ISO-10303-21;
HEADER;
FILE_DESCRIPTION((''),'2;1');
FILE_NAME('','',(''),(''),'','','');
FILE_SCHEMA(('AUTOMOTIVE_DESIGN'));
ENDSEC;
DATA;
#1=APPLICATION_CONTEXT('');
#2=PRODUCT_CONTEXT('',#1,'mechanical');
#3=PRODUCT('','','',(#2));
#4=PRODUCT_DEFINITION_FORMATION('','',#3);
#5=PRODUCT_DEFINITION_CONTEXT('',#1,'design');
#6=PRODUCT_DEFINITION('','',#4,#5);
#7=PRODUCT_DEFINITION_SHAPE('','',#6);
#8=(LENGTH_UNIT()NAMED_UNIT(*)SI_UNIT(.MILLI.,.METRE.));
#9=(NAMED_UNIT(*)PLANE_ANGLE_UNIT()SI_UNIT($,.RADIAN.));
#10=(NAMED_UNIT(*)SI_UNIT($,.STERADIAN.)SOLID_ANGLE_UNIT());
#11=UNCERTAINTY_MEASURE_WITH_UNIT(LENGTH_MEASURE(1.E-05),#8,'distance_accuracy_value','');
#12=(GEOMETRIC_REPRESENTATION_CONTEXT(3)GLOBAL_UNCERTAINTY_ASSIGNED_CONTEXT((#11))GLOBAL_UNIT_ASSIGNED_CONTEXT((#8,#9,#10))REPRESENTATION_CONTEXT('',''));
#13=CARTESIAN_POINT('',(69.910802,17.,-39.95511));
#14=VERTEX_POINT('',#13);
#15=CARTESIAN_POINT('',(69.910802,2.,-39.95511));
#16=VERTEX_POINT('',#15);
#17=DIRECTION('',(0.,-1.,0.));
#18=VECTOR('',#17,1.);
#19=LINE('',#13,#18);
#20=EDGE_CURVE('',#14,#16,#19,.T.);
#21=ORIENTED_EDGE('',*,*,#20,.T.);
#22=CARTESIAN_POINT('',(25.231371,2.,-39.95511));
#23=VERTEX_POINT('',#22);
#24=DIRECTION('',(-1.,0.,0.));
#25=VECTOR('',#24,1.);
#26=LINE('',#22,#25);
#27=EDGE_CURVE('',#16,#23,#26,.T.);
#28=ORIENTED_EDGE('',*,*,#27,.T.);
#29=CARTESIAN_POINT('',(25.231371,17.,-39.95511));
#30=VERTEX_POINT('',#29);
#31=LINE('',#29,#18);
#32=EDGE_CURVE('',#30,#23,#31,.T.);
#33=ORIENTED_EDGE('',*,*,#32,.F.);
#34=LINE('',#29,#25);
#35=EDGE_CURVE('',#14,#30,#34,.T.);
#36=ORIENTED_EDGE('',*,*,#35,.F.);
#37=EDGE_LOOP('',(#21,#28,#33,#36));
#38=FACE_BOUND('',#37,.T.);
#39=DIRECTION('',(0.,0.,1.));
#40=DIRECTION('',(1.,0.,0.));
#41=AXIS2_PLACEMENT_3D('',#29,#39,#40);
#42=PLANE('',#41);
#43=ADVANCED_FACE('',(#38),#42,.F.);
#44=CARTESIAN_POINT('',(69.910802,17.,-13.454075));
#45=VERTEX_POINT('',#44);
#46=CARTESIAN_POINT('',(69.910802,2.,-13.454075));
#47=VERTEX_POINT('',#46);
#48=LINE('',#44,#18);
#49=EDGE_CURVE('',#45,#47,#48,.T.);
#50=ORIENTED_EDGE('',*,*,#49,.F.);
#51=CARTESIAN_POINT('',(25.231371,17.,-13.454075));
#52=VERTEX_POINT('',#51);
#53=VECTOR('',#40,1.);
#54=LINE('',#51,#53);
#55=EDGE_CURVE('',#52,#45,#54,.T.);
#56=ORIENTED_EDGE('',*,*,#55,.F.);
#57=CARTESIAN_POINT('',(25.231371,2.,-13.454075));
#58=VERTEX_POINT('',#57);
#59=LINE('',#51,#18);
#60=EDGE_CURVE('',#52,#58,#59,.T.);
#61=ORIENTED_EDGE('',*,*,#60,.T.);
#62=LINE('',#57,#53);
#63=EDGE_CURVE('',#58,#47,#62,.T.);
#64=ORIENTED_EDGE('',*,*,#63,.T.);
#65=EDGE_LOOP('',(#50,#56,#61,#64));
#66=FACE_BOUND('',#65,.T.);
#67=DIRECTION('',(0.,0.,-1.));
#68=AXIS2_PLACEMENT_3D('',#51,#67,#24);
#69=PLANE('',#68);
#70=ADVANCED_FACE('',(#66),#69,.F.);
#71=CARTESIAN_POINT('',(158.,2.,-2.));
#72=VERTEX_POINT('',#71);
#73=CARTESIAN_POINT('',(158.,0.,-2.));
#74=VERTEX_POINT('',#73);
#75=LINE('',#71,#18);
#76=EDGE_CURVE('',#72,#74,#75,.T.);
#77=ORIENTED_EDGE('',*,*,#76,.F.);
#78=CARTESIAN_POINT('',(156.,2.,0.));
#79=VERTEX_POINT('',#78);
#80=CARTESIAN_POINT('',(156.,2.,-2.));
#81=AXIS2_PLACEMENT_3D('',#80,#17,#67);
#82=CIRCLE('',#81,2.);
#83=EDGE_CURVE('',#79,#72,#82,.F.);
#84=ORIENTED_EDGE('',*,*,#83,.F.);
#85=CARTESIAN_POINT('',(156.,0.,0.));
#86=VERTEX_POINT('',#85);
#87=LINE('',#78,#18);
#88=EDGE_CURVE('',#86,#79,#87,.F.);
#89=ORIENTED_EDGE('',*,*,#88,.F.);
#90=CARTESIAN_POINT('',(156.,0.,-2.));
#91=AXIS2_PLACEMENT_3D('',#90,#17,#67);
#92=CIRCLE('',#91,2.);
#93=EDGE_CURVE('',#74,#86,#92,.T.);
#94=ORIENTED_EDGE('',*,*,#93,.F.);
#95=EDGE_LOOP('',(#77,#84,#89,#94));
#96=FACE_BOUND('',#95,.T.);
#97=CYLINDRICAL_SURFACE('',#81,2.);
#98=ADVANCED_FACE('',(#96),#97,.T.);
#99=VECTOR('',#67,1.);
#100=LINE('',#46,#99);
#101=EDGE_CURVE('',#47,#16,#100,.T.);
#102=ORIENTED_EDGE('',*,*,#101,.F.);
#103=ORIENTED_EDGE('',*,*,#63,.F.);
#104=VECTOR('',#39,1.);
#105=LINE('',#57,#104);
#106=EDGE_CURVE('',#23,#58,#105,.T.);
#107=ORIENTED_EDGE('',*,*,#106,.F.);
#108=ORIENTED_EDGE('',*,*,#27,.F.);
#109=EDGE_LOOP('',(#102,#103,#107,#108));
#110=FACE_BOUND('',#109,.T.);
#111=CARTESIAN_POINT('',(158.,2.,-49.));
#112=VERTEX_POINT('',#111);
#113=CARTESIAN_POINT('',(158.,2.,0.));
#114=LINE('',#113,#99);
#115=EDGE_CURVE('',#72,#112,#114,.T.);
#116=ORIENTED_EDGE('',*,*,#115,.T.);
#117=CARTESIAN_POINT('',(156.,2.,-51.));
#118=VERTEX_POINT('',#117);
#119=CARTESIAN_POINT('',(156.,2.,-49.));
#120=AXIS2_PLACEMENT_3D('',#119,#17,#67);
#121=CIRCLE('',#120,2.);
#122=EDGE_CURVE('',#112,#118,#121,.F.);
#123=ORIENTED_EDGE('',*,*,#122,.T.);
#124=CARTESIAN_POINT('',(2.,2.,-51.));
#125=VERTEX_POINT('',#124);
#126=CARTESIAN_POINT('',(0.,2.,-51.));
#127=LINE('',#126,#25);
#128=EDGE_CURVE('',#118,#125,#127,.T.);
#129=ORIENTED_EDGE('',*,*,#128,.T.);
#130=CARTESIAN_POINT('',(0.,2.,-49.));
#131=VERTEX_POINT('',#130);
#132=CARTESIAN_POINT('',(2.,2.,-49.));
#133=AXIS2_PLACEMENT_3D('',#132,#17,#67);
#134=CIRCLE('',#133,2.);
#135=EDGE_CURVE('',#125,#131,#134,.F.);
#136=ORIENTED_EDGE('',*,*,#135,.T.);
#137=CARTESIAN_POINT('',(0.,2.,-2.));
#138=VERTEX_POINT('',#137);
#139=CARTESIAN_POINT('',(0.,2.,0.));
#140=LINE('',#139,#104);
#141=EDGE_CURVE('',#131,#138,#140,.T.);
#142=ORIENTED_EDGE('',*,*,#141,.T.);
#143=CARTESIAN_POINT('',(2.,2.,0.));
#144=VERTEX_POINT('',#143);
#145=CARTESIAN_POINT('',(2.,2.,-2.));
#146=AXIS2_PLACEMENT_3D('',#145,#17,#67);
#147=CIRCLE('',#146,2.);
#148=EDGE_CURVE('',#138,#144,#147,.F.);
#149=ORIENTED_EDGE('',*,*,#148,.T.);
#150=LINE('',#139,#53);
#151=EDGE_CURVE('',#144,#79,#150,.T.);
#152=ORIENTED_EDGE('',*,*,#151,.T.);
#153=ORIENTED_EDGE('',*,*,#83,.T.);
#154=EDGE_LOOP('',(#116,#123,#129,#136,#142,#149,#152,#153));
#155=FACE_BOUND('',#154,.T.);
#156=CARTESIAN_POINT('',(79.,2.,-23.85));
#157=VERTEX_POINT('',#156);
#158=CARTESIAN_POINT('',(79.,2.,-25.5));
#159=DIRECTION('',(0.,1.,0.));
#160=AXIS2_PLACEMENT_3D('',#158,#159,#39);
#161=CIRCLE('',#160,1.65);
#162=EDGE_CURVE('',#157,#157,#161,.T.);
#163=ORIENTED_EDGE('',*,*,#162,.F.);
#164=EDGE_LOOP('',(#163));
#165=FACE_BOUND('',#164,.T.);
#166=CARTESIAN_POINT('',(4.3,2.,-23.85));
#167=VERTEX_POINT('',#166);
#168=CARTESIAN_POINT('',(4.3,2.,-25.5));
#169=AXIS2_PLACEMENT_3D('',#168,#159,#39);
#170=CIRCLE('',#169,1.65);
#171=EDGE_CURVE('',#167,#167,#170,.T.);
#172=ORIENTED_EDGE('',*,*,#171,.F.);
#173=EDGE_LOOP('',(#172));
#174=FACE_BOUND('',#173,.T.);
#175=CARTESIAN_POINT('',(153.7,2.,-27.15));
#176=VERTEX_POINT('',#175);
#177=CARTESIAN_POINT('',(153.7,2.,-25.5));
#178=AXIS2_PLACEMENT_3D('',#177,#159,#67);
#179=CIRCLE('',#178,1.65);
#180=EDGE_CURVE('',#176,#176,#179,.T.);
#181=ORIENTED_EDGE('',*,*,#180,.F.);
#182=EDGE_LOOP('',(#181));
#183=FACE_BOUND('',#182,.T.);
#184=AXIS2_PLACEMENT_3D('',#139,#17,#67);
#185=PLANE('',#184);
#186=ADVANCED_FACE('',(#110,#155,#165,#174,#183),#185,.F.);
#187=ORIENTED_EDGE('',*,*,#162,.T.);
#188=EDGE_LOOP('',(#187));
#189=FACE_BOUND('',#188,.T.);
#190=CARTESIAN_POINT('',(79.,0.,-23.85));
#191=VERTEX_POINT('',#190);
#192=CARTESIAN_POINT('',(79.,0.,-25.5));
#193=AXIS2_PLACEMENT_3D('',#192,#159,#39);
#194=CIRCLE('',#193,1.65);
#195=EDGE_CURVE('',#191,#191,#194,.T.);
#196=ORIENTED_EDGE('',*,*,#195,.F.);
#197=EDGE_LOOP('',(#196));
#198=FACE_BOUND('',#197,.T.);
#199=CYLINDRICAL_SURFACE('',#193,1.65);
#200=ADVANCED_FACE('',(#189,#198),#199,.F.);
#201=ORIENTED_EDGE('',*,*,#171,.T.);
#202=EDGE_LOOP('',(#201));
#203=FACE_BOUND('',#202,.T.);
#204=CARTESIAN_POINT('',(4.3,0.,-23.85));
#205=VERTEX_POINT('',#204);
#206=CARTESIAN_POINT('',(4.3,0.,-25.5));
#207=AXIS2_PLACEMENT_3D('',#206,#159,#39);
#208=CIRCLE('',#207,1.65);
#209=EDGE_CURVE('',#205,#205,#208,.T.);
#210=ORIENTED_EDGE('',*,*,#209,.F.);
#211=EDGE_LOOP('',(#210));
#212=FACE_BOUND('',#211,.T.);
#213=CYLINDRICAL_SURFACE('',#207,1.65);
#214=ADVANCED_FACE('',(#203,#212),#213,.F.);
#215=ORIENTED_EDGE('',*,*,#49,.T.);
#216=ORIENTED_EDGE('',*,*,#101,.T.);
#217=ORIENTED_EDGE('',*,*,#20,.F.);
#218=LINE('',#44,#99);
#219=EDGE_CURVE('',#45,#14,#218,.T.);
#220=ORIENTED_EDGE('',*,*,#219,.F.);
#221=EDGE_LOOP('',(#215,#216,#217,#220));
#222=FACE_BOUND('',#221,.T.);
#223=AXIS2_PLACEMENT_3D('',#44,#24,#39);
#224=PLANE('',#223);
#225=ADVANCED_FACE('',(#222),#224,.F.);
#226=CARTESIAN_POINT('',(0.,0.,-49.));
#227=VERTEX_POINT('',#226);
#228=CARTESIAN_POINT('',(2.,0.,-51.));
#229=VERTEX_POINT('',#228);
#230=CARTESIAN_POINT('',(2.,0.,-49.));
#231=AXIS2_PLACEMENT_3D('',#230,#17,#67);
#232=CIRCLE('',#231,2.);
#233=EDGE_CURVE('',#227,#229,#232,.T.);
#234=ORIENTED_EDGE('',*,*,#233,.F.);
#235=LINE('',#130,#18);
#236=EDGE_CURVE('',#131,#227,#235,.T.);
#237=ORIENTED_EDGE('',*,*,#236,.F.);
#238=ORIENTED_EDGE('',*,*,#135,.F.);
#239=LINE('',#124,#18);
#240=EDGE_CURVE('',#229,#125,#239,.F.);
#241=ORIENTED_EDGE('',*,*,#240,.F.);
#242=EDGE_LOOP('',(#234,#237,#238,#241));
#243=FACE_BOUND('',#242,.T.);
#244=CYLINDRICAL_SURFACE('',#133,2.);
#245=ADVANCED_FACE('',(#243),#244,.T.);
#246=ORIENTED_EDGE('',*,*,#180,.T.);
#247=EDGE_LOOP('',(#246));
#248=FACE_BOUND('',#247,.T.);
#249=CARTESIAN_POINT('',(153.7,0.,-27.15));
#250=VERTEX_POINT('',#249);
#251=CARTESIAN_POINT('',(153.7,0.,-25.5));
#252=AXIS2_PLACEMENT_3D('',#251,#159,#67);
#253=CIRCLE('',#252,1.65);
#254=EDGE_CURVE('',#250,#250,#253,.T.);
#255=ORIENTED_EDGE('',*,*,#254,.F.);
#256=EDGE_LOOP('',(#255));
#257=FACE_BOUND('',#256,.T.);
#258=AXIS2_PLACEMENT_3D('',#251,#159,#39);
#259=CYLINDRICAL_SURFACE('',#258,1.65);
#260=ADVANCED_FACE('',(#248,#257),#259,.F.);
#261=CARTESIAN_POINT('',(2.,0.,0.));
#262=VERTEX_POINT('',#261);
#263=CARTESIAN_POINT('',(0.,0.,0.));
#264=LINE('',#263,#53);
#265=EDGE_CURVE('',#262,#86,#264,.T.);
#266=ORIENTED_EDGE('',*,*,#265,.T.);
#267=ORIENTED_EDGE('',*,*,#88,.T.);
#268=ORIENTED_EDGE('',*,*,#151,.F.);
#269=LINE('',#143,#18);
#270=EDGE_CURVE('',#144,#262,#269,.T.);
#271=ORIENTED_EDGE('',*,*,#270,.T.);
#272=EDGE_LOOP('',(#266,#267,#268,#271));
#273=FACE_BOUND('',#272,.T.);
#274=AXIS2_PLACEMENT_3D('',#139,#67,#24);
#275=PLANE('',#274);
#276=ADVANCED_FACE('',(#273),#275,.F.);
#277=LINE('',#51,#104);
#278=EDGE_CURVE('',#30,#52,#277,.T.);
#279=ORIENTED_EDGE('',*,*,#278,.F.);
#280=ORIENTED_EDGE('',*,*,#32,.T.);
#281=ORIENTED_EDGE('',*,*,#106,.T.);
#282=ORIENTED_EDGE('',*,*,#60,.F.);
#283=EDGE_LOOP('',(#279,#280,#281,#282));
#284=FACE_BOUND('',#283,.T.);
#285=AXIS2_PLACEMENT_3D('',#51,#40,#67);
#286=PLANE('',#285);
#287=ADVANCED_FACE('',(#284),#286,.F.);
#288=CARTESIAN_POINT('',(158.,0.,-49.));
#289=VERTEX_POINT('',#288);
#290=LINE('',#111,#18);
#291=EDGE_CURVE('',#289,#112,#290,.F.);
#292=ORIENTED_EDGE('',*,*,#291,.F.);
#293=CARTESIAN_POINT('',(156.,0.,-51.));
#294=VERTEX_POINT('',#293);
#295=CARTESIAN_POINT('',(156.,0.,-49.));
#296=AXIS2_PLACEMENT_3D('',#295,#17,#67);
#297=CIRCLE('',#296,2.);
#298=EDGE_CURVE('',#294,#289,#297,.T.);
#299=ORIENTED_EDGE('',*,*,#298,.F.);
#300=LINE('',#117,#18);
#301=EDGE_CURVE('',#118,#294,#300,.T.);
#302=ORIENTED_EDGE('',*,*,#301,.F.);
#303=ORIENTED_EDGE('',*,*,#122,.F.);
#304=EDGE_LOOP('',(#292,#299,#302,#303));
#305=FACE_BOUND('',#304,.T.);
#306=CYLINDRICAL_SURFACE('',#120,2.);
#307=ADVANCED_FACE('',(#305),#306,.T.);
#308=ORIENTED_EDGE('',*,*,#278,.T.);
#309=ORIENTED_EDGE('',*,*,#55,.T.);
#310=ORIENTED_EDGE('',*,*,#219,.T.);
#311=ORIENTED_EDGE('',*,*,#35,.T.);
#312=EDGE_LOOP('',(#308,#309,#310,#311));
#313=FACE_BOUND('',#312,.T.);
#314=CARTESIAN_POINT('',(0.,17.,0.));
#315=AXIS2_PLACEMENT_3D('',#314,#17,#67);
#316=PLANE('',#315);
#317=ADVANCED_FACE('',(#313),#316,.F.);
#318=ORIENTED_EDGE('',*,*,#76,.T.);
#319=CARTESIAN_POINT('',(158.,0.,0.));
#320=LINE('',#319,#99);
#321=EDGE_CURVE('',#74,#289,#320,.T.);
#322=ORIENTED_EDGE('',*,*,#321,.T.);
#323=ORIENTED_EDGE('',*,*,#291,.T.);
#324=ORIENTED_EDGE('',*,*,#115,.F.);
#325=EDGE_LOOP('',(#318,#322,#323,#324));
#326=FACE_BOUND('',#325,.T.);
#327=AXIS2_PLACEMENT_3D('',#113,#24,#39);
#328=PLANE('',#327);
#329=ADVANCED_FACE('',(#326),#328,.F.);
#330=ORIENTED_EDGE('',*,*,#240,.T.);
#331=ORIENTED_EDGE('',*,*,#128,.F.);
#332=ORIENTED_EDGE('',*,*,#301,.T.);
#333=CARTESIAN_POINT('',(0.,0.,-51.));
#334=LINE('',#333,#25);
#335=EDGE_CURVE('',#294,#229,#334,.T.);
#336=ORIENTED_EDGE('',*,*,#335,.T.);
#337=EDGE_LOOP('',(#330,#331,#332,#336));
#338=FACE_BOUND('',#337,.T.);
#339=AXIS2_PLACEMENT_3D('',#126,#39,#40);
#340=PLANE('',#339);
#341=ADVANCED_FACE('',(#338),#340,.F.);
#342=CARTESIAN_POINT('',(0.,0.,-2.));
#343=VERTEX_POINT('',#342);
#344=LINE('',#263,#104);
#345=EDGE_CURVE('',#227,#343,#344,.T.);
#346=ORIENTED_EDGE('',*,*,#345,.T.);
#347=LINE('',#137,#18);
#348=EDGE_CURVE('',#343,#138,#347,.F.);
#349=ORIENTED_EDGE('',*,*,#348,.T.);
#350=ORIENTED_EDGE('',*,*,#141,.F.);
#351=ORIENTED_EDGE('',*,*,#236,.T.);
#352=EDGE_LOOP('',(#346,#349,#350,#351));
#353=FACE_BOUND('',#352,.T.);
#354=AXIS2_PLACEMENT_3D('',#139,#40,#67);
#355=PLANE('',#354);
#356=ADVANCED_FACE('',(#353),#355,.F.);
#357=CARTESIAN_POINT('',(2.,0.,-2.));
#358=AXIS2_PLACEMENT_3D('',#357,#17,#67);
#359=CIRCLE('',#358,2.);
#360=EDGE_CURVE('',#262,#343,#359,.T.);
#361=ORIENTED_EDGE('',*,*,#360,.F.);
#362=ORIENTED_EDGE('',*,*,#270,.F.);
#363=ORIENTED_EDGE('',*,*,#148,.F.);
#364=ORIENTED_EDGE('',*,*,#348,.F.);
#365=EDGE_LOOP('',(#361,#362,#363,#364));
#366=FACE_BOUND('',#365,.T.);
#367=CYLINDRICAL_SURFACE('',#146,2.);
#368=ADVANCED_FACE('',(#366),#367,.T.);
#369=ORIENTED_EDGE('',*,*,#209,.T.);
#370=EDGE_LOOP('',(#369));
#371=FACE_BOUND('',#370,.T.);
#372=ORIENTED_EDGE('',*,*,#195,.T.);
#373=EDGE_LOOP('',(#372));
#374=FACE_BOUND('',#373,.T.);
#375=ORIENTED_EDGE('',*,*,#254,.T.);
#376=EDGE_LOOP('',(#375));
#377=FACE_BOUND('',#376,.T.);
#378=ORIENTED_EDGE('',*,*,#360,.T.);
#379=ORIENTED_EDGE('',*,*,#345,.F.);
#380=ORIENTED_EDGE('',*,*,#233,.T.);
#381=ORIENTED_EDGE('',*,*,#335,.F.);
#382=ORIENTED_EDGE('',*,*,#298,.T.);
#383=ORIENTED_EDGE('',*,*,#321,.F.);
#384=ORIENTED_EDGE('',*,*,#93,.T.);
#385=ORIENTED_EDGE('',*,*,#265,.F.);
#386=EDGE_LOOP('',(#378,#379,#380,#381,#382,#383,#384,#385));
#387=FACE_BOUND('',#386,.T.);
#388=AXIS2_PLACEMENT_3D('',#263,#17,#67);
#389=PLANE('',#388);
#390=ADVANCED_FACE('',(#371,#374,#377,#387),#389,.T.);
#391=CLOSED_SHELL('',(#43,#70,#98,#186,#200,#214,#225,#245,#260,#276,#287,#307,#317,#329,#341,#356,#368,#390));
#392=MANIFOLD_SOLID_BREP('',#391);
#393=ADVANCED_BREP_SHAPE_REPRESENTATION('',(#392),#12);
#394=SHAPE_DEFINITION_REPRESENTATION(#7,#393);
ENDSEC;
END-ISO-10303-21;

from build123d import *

# Parameters (mm, degrees)
SKETCH1_W           = 158
SKETCH1_H           = 51
BOSS_EXTRUDE1_DEPTH = 2
SKETCH2_R           = 1.65
CUT_EXTRUDE1_DEPTH  = 3
FILLET1_R           = 2
SKETCH3_W           = 44.679431241
SKETCH3_H           = 26.501035196
BOSS_EXTRUDE2_DEPTH = 15


with BuildPart() as part:
    # Sketch1 → Boss-Extrude1 (new body)
    with BuildSketch(Plane(origin=(0, 0, 0), x_dir=(1, 0, 0), z_dir=(0, 1, 0))):
        with Locations((79, 25.5)):
            Rectangle(SKETCH1_W, SKETCH1_H)
    extrude(amount=BOSS_EXTRUDE1_DEPTH)

    # Sketch2 → Cut-Extrude1 (cut, through all)
    with BuildSketch(Plane(origin=(0, 2, 0), x_dir=(1, 0, 0), z_dir=(0, 1, 0))):
        with Locations((4.3, 25.5)):
            Circle(SKETCH2_R)
        with Locations((153.7, 25.5)):
            Circle(SKETCH2_R)
        with Locations((79, 25.5)):
            Circle(SKETCH2_R)
    extrude(amount=-CUT_EXTRUDE1_DEPTH, mode=Mode.SUBTRACT)

    # Fillet1
    fillet1_edges = [part.edges().sort_by_distance(p)[0] for p in [
        (0, 1, -51),
        (158, 1, -51),
        (158, 1, 0),
        (0, 1, 0),
    ]]
    fillet(fillet1_edges, radius=FILLET1_R)

    # Sketch3 → Boss-Extrude2 (add)
    with BuildSketch(Plane(origin=(0, 2, 0), x_dir=(1, 0, 0), z_dir=(0, 1, 0))):
        with Locations((47.571086358, 26.704592509)):
            Rectangle(SKETCH3_W, SKETCH3_H)
    extrude(amount=BOSS_EXTRUDE2_DEPTH)


solid = part.part
